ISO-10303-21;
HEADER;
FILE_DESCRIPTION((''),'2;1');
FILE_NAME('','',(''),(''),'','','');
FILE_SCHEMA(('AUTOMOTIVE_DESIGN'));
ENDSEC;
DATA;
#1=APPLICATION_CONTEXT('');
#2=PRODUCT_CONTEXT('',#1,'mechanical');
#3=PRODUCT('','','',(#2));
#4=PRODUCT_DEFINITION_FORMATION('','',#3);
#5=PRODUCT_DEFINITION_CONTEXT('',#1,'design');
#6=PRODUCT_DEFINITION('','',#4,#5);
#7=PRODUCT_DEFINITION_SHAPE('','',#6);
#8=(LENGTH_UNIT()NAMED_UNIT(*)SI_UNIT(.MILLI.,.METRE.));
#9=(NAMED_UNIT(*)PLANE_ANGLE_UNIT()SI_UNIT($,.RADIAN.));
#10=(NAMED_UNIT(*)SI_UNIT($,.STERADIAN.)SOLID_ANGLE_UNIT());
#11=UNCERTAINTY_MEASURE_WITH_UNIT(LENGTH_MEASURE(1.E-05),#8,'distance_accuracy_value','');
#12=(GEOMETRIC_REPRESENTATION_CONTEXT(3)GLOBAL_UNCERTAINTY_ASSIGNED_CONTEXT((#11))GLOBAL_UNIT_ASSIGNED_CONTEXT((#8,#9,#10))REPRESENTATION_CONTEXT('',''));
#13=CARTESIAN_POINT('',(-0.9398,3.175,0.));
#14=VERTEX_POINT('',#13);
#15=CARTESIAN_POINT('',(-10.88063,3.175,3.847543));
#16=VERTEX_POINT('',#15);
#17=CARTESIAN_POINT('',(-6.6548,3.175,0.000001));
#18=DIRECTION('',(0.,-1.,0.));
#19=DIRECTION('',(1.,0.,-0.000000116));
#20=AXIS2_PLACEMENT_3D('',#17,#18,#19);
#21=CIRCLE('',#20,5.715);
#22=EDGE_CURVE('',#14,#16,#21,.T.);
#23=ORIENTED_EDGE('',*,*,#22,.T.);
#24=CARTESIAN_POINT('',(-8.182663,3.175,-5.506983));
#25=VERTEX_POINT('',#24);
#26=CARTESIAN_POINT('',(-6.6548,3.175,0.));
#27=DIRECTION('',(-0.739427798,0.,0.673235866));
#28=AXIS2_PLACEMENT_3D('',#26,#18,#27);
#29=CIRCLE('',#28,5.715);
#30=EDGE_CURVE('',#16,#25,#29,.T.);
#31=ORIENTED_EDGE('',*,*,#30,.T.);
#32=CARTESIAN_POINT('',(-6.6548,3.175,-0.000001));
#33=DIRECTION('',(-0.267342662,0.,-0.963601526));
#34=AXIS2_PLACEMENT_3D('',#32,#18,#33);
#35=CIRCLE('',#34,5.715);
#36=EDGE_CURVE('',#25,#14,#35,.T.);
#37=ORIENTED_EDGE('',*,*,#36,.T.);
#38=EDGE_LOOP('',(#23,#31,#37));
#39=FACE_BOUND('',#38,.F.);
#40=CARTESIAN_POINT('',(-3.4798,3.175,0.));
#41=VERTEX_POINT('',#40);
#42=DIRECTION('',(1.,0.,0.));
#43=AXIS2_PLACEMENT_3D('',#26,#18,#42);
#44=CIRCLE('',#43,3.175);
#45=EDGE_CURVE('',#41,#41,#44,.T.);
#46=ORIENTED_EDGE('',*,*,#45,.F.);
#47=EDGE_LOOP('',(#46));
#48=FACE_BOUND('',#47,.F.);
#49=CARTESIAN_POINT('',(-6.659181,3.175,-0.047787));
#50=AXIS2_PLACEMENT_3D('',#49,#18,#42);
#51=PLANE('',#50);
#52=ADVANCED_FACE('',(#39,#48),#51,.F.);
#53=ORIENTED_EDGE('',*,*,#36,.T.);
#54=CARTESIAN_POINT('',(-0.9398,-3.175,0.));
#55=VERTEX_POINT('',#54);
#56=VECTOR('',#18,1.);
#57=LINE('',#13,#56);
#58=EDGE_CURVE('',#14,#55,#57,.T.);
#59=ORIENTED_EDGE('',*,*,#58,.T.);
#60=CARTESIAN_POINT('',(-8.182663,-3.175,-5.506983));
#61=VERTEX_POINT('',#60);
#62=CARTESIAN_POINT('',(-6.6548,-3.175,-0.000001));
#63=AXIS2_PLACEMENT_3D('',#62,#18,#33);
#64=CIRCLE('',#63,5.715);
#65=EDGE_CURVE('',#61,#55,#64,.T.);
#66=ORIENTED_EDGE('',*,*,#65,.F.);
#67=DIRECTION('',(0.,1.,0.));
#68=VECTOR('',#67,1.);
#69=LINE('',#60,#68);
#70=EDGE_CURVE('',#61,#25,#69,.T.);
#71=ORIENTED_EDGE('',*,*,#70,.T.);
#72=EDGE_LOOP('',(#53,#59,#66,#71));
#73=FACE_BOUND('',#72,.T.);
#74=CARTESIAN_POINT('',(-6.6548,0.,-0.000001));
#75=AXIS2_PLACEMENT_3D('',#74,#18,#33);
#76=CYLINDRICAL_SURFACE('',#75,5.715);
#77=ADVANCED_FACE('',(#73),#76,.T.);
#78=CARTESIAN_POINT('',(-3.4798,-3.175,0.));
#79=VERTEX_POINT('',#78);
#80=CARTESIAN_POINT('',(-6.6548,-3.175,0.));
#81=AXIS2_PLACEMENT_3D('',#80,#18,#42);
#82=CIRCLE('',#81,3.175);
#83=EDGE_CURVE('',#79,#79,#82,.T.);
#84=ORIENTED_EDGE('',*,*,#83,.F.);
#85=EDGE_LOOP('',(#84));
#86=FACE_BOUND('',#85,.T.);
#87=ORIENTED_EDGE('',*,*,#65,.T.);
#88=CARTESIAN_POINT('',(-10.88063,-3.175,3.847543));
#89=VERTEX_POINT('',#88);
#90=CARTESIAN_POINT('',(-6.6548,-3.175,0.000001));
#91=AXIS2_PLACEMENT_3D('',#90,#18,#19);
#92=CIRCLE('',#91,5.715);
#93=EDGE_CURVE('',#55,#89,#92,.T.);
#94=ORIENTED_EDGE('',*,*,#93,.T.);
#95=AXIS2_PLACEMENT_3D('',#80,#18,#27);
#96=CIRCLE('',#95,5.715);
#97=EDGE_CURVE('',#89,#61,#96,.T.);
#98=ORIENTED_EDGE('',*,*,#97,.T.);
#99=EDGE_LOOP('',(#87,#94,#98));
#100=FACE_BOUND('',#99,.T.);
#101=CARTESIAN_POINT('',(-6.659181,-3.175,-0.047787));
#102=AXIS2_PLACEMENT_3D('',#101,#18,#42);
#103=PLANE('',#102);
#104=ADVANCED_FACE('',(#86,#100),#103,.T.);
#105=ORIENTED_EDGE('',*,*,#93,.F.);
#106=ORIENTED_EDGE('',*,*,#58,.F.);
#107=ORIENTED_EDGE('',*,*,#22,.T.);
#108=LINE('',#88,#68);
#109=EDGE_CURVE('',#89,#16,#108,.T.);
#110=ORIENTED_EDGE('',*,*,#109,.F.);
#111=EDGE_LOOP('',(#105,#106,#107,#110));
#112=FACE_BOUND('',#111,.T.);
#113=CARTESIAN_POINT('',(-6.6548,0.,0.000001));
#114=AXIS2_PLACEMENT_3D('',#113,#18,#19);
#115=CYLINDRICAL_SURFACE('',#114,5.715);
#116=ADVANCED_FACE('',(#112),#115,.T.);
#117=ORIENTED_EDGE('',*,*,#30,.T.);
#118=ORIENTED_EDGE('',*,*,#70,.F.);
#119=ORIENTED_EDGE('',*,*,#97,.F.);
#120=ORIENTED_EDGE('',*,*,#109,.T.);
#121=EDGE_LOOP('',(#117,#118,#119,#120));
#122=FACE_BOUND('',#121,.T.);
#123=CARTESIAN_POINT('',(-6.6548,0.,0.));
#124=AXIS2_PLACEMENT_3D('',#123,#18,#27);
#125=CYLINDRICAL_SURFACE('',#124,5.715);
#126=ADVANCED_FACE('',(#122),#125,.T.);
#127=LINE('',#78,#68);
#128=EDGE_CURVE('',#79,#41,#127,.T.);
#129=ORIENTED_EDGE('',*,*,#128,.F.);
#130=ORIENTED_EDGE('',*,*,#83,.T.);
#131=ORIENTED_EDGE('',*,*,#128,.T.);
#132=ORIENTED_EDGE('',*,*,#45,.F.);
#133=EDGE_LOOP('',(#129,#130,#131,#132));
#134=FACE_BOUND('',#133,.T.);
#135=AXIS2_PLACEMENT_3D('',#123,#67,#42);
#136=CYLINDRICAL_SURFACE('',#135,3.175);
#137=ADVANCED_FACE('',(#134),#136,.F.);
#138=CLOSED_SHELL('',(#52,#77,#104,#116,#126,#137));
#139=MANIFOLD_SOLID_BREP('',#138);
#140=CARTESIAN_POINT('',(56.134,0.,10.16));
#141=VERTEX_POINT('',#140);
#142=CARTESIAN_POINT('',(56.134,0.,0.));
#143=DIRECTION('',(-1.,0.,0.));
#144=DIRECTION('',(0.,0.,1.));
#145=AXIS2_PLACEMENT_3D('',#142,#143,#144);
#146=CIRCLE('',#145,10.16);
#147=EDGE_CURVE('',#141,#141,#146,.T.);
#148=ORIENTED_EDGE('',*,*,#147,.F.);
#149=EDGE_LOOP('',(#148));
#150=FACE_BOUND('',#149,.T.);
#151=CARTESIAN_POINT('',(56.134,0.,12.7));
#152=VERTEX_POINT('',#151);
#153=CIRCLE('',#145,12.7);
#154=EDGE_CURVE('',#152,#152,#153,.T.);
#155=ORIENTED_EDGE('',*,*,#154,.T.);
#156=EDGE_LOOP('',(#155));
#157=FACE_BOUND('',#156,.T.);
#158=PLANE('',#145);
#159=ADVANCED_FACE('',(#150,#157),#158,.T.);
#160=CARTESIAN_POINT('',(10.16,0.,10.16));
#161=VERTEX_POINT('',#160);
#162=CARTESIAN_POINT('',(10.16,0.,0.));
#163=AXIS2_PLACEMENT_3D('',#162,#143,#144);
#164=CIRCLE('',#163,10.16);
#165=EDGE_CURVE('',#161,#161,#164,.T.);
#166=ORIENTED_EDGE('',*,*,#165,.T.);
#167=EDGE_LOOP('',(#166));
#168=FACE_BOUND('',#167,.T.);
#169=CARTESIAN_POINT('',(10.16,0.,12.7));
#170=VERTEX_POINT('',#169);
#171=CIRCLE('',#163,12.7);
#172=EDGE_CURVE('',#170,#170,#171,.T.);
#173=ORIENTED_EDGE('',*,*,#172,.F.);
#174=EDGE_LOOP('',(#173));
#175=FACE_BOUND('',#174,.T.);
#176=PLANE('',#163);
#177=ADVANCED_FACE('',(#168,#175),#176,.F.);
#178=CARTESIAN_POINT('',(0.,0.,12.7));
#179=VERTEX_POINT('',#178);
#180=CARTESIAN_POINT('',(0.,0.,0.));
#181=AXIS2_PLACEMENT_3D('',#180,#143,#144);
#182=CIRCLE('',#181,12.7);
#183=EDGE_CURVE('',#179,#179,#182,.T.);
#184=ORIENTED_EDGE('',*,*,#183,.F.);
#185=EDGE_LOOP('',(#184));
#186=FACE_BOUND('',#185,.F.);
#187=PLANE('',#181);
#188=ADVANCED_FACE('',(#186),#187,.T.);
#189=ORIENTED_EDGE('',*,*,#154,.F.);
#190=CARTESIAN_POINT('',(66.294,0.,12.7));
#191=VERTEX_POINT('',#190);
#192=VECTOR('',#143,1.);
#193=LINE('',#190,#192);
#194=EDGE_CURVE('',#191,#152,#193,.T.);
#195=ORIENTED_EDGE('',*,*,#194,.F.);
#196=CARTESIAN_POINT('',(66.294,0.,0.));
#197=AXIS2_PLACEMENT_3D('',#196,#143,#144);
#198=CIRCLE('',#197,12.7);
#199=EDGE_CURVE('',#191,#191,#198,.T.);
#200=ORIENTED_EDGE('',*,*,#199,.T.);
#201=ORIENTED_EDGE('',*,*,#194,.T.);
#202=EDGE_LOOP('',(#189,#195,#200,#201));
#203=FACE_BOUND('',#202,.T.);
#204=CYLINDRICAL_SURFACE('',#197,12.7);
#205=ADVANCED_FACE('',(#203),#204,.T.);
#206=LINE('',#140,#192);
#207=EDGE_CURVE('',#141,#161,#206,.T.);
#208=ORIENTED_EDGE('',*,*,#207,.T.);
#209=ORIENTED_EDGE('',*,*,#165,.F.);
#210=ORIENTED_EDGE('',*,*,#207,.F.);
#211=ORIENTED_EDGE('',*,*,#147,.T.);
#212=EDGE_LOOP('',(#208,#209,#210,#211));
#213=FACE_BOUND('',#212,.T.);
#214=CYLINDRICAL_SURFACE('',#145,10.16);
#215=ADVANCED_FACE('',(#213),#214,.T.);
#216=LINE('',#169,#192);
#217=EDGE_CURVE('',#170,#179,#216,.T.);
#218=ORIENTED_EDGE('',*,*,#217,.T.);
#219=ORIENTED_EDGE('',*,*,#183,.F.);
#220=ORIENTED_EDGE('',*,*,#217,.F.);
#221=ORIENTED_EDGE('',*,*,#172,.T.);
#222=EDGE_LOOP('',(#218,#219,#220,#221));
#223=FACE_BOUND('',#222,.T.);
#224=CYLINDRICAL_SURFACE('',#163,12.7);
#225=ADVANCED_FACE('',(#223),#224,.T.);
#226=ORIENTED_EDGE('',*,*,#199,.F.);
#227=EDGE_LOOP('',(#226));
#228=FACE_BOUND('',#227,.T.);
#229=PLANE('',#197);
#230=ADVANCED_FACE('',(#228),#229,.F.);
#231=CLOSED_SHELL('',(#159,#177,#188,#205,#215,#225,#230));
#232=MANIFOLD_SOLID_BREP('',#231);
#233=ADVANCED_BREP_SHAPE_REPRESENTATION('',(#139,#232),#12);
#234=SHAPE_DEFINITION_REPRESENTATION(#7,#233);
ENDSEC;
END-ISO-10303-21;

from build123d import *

# Parameters (mm, degrees)
F0_W     = 5.842
F0_H     = 12.7
F0_R     = 3.175
F2_DEPTH = 3.175


with BuildPart() as f1:
    # F0 (on Front) → F1 (revolve)
    with BuildSketch(Plane.XZ):
        with Locations((2.921, 6.35)):
            Rectangle(F0_W, F0_H)
        Polygon((5.842, 12.7), (5.842, 0), (66.294, 0), (66.294, 12.7), (56.134, 12.7), (56.134, 10.16), (10.16, 10.16), (10.16, 12.7), align=None)
    revolve(axis=Axis((33.147, 0, 0), (-1, 0, 0)))


with BuildPart() as f2:
    # F0 (on Front) → F2 (new body, symmetric)
    with BuildSketch(Plane.XZ):
        with BuildLine():
            ThreePointArc((-8.182663, -5.506983), (-3.195791, -4.549339), (-0.9398, 0))
            ThreePointArc((-0.9398, 0), (-4.591961, 5.329721), (-10.88063, 3.847543))
            ThreePointArc((-10.88063, 3.847543), (-12.145978, -1.583727), (-8.182663, -5.506983))
        make_face()
        with Locations((-6.6548, 0)):
            Circle(F0_R, mode=Mode.SUBTRACT)
    extrude(amount=F2_DEPTH, both=True)


solid = Compound([f1.part, f2.part])
